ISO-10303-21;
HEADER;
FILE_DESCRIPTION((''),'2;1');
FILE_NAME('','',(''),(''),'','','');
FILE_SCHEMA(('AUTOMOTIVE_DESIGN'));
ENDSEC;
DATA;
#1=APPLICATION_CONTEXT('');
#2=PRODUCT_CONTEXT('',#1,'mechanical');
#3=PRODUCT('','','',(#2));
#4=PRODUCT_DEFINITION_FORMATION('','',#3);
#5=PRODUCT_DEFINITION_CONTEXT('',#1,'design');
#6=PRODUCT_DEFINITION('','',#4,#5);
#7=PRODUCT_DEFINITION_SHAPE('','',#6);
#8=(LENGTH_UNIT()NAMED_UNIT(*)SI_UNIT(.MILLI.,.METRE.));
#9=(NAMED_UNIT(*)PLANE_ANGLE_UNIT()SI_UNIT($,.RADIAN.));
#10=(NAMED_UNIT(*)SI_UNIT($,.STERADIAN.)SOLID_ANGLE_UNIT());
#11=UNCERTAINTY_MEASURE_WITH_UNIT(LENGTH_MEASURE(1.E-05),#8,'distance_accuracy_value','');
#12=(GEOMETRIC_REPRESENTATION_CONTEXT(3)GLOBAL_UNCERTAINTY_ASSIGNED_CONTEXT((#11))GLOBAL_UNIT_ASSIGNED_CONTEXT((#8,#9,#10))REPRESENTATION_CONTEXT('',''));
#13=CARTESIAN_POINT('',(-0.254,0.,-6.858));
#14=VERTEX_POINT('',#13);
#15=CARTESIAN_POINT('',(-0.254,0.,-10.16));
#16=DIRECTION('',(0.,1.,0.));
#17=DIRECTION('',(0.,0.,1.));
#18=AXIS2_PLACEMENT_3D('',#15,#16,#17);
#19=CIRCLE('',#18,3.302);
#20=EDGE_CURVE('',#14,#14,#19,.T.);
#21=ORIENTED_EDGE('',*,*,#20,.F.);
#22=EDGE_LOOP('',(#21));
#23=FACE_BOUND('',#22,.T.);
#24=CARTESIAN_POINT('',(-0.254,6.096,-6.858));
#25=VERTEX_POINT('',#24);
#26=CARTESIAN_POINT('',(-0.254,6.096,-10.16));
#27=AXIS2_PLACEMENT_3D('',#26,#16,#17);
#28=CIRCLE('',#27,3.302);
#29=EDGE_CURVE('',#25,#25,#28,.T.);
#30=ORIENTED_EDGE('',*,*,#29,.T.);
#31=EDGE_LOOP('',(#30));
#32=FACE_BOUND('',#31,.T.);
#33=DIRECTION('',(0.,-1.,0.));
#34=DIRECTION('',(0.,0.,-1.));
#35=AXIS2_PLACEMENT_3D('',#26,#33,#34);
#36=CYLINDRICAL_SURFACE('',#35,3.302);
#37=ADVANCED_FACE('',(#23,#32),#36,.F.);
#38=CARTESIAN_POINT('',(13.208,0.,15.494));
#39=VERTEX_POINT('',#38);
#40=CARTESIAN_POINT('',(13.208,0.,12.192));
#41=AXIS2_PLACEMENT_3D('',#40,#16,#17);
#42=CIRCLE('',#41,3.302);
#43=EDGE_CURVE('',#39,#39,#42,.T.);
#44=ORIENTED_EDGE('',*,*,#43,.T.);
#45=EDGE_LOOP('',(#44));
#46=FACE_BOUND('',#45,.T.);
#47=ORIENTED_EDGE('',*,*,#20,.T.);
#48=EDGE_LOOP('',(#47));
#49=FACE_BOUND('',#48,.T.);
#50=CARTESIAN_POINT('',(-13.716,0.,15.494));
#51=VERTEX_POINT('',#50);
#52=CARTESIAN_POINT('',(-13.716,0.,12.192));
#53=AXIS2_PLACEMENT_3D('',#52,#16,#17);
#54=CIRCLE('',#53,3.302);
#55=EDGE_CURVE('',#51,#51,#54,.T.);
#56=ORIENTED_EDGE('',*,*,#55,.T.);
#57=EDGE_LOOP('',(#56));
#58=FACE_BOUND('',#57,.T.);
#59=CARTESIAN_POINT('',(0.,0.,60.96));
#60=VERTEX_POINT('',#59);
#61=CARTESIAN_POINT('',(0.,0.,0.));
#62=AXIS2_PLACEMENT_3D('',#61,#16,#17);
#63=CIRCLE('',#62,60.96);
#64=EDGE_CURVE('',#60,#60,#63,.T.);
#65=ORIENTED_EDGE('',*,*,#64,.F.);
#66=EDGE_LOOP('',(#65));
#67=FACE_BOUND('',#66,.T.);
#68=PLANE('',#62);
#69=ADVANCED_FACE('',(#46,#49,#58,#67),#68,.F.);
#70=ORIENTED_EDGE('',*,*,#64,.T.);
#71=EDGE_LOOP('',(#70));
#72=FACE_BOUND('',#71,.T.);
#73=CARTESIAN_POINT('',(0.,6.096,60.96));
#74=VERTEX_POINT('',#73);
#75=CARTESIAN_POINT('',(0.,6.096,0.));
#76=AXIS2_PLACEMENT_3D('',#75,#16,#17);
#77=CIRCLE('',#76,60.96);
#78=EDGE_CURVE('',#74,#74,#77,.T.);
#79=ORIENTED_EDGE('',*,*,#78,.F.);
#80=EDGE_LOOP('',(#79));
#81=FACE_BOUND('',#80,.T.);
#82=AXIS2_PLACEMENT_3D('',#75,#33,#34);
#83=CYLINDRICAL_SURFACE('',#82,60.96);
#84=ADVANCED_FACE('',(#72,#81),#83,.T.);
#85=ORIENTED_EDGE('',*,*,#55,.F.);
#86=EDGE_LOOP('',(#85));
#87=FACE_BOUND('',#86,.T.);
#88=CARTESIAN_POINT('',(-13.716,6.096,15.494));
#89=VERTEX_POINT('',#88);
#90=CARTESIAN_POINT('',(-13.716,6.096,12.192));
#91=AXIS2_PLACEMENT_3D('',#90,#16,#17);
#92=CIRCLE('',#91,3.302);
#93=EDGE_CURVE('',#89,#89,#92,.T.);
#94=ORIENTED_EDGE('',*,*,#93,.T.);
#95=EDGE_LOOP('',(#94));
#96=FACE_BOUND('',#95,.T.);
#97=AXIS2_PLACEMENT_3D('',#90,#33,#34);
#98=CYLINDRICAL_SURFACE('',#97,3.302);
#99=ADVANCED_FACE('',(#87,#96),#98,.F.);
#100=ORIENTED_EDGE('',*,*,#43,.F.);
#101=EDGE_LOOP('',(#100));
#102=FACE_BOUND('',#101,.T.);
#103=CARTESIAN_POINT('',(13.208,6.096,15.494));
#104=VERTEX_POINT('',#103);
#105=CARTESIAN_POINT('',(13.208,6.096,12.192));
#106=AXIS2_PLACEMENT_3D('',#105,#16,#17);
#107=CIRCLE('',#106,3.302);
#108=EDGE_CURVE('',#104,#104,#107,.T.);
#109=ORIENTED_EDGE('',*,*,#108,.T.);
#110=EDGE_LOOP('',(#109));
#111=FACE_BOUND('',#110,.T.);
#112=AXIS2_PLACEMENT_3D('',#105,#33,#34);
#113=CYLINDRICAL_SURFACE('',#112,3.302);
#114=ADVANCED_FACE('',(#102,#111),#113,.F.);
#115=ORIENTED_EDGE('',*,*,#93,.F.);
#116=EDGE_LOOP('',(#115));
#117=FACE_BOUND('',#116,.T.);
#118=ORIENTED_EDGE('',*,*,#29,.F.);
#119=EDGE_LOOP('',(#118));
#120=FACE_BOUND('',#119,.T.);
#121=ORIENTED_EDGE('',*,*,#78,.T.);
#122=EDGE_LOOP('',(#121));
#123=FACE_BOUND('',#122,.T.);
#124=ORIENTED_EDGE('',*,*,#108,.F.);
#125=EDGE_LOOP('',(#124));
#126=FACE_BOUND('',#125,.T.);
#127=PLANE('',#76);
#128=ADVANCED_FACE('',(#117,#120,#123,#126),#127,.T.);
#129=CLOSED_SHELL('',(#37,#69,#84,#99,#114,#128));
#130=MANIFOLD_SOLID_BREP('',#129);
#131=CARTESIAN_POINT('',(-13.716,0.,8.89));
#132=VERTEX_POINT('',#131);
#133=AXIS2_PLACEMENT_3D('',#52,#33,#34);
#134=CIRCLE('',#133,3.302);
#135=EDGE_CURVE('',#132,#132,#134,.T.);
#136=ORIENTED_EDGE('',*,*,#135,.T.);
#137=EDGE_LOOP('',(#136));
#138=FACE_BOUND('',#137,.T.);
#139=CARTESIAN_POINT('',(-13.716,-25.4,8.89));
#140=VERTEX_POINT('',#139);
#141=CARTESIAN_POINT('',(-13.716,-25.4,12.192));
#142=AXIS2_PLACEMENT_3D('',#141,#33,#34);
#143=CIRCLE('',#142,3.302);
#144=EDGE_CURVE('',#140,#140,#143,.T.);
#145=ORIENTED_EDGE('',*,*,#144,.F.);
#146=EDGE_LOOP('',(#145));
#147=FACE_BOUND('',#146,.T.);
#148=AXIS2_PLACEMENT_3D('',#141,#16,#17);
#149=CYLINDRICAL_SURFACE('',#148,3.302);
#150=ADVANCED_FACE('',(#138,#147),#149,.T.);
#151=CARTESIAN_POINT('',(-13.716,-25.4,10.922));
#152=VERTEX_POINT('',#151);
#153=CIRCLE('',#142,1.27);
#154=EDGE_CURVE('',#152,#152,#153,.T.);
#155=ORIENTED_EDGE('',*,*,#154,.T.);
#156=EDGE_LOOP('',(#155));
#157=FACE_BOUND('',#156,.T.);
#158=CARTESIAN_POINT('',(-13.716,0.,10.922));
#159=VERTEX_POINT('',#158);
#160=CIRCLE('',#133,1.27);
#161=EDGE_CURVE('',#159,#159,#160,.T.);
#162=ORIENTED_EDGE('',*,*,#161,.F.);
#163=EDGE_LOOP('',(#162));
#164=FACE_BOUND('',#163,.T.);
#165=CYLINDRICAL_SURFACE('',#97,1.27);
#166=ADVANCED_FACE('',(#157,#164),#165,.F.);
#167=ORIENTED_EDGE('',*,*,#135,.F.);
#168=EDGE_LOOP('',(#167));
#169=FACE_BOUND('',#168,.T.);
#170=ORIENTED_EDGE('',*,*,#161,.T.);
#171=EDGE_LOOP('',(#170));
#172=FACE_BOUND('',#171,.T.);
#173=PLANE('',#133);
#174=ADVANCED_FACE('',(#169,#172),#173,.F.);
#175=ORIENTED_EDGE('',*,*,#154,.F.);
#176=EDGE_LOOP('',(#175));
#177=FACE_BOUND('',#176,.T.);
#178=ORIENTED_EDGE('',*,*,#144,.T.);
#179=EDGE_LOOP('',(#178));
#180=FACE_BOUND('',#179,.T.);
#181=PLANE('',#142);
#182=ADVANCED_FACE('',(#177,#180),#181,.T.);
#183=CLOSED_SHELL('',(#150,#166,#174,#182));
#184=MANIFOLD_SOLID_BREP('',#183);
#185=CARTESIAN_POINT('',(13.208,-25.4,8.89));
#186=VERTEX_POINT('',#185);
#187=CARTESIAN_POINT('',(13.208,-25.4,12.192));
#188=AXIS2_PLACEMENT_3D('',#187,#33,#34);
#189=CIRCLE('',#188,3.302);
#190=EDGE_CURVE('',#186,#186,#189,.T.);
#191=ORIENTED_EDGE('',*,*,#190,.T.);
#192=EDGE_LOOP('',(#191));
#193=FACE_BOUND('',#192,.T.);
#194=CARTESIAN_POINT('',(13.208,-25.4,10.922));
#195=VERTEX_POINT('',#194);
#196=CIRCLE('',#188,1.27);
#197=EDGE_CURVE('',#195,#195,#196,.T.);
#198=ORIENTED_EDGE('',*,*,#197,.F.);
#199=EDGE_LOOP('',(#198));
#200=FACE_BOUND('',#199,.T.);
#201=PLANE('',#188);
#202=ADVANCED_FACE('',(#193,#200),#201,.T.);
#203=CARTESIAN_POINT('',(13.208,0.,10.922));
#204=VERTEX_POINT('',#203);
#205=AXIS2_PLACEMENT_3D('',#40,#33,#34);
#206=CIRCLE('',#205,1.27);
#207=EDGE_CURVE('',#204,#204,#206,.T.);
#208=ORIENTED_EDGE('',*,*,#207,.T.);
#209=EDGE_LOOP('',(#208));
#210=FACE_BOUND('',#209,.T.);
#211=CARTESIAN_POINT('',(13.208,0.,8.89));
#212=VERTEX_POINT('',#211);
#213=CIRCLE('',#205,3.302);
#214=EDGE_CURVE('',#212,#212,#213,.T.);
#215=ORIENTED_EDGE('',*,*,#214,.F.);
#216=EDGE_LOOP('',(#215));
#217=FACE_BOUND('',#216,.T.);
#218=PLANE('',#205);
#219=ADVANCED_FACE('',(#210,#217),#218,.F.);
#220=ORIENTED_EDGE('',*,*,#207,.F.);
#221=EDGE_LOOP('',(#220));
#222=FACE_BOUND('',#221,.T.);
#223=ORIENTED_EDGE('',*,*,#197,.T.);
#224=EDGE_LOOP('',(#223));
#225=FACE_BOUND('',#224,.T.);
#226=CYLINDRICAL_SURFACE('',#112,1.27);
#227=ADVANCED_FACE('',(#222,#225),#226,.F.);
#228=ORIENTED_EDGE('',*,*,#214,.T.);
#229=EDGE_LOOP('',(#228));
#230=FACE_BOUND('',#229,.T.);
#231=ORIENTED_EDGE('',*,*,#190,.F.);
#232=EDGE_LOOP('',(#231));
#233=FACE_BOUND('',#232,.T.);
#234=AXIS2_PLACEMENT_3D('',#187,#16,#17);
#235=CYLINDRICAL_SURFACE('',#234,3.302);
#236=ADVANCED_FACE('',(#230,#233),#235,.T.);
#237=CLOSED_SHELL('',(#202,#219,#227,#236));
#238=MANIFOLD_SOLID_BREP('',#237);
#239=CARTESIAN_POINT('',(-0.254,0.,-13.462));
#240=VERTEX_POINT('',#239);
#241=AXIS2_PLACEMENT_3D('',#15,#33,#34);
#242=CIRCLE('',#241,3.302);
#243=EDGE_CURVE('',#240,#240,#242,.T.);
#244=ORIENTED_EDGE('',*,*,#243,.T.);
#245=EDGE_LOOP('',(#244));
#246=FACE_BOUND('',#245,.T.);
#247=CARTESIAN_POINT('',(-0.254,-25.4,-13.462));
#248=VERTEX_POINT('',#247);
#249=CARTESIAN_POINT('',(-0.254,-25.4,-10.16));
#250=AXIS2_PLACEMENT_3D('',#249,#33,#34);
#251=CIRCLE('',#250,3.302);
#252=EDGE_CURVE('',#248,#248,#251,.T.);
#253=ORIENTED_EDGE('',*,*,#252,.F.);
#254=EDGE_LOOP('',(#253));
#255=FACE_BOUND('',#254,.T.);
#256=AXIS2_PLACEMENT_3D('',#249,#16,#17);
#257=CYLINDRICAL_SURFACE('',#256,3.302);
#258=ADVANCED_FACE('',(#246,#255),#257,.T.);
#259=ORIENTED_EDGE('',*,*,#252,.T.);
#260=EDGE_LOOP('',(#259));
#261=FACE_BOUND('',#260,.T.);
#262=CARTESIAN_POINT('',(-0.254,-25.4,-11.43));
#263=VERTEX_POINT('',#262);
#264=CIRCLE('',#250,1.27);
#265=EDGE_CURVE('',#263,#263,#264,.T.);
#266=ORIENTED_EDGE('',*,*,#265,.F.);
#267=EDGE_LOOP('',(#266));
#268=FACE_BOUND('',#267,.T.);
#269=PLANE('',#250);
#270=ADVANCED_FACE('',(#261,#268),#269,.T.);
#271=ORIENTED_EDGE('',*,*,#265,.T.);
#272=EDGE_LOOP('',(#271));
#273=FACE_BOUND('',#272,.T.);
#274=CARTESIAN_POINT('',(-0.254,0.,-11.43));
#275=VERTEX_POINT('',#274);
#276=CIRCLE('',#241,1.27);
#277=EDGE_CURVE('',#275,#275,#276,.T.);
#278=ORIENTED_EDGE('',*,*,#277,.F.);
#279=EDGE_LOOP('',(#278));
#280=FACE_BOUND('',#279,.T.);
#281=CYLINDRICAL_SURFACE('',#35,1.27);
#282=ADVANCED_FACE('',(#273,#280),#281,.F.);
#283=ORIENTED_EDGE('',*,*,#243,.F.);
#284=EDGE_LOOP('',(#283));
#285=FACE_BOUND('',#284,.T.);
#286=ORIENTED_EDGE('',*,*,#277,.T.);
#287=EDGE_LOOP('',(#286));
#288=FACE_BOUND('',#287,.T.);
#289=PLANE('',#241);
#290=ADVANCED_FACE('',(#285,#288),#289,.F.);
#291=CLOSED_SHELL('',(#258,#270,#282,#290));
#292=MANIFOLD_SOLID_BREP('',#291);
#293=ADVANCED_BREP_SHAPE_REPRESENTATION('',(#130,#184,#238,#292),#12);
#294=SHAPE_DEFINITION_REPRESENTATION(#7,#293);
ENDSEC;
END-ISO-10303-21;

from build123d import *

# Parameters (mm, degrees)
SKETCH1_R             = 60.96
SKETCH1_R_2           = 3.302
EXTRUDE1_DEPTH        = 6.096
SKETCH2_R             = 3.302
BOSS_EXTRUDE1_DEPTH   = 25.4
BOSS_EXTRUDE1_2_DEPTH = 25.4
BOSS_EXTRUDE1_3_DEPTH = 25.4
SKETCH3_R             = 1.27
CUT_EXTRUDE1_DEPTH    = 32.496


with BuildPart() as part:
    # Sketch1 → Extrude1 (new body)
    with BuildSketch(Plane(origin=(0, 0, 0), x_dir=(1, 0, 0), z_dir=(0, 1, 0))):
        Circle(SKETCH1_R)
        with Locations((-0.254, 10.16)):
            Circle(SKETCH1_R_2, mode=Mode.SUBTRACT)
        with Locations((-13.716, -12.192)):
            Circle(SKETCH1_R_2, mode=Mode.SUBTRACT)
        with Locations((13.208, -12.192)):
            Circle(SKETCH1_R_2, mode=Mode.SUBTRACT)
    extrude(amount=EXTRUDE1_DEPTH)


with BuildPart() as body_2:
    # Sketch2 → Boss-Extrude1 (new body)
    with BuildSketch(Plane.XZ):
        with Locations((13.208, 12.192)):
            Circle(SKETCH2_R)
    extrude(amount=BOSS_EXTRUDE1_DEPTH)


with BuildPart() as body_3:
    # Sketch2 → Boss-Extrude1 2 (new body)
    with BuildSketch(Plane.XZ):
        with Locations((-0.254, -10.16)):
            Circle(SKETCH2_R)
    extrude(amount=BOSS_EXTRUDE1_2_DEPTH)


with BuildPart() as body_4:
    # Sketch2 → Boss-Extrude1 3 (new body)
    with BuildSketch(Plane.XZ):
        with Locations((-13.716, 12.192)):
            Circle(SKETCH2_R)
    extrude(amount=BOSS_EXTRUDE1_3_DEPTH)


with BuildPart() as cut_extrude1_tool:
    # Sketch3 → Cut-Extrude1 (new body, through all)
    with BuildSketch(Plane.XZ.offset(25.4)):
        with Locations((-0.254, -10.16)):
            Circle(SKETCH3_R)
        with Locations((13.208, 12.192)):
            Circle(SKETCH3_R)
        with Locations((-13.716, 12.192)):
            Circle(SKETCH3_R)
    extrude(amount=-CUT_EXTRUDE1_DEPTH)


with BuildPart() as body_2_1:
    add(body_2.part)

    # Cut-Extrude1: cut by cut_extrude1_tool
    add(cut_extrude1_tool.part, mode=Mode.SUBTRACT)


with BuildPart() as body_3_1:
    add(body_3.part)

    # Cut-Extrude1: cut by cut_extrude1_tool
    add(cut_extrude1_tool.part, mode=Mode.SUBTRACT)


with BuildPart() as body_4_1:
    add(body_4.part)

    # Cut-Extrude1: cut by cut_extrude1_tool
    add(cut_extrude1_tool.part, mode=Mode.SUBTRACT)


solid = Compound([part.part, body_2_1.part, body_3_1.part, body_4_1.part])
